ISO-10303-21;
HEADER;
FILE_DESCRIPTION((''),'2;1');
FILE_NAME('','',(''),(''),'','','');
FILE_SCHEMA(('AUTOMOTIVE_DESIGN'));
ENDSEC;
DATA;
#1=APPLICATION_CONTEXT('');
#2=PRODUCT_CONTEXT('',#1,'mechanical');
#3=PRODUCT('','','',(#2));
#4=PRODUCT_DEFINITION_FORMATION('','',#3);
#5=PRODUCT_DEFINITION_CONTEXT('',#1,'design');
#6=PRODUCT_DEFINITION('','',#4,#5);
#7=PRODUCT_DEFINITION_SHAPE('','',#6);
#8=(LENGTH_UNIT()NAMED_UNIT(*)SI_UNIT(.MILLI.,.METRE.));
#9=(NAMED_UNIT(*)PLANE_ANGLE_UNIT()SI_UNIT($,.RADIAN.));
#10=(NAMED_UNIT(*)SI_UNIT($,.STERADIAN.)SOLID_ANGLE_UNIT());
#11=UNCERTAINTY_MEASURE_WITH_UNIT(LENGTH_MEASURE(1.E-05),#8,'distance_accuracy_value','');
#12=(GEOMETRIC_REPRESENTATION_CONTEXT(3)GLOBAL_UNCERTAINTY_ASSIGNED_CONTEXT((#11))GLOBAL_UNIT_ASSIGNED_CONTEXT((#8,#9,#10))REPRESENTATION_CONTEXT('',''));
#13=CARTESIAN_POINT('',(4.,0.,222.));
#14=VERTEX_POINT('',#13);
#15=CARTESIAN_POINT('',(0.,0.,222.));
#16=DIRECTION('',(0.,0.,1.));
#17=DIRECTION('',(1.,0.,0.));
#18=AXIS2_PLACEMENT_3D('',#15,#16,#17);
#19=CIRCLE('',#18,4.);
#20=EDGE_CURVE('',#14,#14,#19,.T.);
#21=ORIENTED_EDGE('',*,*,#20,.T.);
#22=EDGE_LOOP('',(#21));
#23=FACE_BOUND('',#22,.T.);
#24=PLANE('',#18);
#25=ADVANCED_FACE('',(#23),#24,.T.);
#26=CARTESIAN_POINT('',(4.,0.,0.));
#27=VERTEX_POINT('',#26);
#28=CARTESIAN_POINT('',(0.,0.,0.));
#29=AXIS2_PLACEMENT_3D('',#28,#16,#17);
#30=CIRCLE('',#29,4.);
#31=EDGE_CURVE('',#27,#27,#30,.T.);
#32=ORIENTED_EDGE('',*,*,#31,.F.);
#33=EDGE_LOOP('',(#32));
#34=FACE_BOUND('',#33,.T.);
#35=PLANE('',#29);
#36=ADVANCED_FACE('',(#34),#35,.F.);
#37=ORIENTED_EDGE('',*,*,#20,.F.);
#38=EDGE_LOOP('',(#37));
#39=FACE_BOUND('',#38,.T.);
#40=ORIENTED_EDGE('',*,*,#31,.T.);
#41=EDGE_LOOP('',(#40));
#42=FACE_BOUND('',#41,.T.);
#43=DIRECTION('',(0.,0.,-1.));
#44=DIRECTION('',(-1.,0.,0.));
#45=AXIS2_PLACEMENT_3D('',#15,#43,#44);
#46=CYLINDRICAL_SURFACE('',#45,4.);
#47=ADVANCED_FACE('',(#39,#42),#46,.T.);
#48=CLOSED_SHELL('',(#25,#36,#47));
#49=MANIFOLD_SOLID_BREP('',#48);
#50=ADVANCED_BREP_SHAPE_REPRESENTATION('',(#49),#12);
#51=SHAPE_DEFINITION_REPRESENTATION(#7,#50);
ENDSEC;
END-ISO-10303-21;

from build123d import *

# Parameters (mm, degrees)
SKETCH1_R = 4
ROD_DEPTH = 222


with BuildPart() as part:
    # Sketch1 → Rod (new body)
    with BuildSketch(Plane.XY):
        Circle(SKETCH1_R)
    extrude(amount=ROD_DEPTH)


solid = part.part
